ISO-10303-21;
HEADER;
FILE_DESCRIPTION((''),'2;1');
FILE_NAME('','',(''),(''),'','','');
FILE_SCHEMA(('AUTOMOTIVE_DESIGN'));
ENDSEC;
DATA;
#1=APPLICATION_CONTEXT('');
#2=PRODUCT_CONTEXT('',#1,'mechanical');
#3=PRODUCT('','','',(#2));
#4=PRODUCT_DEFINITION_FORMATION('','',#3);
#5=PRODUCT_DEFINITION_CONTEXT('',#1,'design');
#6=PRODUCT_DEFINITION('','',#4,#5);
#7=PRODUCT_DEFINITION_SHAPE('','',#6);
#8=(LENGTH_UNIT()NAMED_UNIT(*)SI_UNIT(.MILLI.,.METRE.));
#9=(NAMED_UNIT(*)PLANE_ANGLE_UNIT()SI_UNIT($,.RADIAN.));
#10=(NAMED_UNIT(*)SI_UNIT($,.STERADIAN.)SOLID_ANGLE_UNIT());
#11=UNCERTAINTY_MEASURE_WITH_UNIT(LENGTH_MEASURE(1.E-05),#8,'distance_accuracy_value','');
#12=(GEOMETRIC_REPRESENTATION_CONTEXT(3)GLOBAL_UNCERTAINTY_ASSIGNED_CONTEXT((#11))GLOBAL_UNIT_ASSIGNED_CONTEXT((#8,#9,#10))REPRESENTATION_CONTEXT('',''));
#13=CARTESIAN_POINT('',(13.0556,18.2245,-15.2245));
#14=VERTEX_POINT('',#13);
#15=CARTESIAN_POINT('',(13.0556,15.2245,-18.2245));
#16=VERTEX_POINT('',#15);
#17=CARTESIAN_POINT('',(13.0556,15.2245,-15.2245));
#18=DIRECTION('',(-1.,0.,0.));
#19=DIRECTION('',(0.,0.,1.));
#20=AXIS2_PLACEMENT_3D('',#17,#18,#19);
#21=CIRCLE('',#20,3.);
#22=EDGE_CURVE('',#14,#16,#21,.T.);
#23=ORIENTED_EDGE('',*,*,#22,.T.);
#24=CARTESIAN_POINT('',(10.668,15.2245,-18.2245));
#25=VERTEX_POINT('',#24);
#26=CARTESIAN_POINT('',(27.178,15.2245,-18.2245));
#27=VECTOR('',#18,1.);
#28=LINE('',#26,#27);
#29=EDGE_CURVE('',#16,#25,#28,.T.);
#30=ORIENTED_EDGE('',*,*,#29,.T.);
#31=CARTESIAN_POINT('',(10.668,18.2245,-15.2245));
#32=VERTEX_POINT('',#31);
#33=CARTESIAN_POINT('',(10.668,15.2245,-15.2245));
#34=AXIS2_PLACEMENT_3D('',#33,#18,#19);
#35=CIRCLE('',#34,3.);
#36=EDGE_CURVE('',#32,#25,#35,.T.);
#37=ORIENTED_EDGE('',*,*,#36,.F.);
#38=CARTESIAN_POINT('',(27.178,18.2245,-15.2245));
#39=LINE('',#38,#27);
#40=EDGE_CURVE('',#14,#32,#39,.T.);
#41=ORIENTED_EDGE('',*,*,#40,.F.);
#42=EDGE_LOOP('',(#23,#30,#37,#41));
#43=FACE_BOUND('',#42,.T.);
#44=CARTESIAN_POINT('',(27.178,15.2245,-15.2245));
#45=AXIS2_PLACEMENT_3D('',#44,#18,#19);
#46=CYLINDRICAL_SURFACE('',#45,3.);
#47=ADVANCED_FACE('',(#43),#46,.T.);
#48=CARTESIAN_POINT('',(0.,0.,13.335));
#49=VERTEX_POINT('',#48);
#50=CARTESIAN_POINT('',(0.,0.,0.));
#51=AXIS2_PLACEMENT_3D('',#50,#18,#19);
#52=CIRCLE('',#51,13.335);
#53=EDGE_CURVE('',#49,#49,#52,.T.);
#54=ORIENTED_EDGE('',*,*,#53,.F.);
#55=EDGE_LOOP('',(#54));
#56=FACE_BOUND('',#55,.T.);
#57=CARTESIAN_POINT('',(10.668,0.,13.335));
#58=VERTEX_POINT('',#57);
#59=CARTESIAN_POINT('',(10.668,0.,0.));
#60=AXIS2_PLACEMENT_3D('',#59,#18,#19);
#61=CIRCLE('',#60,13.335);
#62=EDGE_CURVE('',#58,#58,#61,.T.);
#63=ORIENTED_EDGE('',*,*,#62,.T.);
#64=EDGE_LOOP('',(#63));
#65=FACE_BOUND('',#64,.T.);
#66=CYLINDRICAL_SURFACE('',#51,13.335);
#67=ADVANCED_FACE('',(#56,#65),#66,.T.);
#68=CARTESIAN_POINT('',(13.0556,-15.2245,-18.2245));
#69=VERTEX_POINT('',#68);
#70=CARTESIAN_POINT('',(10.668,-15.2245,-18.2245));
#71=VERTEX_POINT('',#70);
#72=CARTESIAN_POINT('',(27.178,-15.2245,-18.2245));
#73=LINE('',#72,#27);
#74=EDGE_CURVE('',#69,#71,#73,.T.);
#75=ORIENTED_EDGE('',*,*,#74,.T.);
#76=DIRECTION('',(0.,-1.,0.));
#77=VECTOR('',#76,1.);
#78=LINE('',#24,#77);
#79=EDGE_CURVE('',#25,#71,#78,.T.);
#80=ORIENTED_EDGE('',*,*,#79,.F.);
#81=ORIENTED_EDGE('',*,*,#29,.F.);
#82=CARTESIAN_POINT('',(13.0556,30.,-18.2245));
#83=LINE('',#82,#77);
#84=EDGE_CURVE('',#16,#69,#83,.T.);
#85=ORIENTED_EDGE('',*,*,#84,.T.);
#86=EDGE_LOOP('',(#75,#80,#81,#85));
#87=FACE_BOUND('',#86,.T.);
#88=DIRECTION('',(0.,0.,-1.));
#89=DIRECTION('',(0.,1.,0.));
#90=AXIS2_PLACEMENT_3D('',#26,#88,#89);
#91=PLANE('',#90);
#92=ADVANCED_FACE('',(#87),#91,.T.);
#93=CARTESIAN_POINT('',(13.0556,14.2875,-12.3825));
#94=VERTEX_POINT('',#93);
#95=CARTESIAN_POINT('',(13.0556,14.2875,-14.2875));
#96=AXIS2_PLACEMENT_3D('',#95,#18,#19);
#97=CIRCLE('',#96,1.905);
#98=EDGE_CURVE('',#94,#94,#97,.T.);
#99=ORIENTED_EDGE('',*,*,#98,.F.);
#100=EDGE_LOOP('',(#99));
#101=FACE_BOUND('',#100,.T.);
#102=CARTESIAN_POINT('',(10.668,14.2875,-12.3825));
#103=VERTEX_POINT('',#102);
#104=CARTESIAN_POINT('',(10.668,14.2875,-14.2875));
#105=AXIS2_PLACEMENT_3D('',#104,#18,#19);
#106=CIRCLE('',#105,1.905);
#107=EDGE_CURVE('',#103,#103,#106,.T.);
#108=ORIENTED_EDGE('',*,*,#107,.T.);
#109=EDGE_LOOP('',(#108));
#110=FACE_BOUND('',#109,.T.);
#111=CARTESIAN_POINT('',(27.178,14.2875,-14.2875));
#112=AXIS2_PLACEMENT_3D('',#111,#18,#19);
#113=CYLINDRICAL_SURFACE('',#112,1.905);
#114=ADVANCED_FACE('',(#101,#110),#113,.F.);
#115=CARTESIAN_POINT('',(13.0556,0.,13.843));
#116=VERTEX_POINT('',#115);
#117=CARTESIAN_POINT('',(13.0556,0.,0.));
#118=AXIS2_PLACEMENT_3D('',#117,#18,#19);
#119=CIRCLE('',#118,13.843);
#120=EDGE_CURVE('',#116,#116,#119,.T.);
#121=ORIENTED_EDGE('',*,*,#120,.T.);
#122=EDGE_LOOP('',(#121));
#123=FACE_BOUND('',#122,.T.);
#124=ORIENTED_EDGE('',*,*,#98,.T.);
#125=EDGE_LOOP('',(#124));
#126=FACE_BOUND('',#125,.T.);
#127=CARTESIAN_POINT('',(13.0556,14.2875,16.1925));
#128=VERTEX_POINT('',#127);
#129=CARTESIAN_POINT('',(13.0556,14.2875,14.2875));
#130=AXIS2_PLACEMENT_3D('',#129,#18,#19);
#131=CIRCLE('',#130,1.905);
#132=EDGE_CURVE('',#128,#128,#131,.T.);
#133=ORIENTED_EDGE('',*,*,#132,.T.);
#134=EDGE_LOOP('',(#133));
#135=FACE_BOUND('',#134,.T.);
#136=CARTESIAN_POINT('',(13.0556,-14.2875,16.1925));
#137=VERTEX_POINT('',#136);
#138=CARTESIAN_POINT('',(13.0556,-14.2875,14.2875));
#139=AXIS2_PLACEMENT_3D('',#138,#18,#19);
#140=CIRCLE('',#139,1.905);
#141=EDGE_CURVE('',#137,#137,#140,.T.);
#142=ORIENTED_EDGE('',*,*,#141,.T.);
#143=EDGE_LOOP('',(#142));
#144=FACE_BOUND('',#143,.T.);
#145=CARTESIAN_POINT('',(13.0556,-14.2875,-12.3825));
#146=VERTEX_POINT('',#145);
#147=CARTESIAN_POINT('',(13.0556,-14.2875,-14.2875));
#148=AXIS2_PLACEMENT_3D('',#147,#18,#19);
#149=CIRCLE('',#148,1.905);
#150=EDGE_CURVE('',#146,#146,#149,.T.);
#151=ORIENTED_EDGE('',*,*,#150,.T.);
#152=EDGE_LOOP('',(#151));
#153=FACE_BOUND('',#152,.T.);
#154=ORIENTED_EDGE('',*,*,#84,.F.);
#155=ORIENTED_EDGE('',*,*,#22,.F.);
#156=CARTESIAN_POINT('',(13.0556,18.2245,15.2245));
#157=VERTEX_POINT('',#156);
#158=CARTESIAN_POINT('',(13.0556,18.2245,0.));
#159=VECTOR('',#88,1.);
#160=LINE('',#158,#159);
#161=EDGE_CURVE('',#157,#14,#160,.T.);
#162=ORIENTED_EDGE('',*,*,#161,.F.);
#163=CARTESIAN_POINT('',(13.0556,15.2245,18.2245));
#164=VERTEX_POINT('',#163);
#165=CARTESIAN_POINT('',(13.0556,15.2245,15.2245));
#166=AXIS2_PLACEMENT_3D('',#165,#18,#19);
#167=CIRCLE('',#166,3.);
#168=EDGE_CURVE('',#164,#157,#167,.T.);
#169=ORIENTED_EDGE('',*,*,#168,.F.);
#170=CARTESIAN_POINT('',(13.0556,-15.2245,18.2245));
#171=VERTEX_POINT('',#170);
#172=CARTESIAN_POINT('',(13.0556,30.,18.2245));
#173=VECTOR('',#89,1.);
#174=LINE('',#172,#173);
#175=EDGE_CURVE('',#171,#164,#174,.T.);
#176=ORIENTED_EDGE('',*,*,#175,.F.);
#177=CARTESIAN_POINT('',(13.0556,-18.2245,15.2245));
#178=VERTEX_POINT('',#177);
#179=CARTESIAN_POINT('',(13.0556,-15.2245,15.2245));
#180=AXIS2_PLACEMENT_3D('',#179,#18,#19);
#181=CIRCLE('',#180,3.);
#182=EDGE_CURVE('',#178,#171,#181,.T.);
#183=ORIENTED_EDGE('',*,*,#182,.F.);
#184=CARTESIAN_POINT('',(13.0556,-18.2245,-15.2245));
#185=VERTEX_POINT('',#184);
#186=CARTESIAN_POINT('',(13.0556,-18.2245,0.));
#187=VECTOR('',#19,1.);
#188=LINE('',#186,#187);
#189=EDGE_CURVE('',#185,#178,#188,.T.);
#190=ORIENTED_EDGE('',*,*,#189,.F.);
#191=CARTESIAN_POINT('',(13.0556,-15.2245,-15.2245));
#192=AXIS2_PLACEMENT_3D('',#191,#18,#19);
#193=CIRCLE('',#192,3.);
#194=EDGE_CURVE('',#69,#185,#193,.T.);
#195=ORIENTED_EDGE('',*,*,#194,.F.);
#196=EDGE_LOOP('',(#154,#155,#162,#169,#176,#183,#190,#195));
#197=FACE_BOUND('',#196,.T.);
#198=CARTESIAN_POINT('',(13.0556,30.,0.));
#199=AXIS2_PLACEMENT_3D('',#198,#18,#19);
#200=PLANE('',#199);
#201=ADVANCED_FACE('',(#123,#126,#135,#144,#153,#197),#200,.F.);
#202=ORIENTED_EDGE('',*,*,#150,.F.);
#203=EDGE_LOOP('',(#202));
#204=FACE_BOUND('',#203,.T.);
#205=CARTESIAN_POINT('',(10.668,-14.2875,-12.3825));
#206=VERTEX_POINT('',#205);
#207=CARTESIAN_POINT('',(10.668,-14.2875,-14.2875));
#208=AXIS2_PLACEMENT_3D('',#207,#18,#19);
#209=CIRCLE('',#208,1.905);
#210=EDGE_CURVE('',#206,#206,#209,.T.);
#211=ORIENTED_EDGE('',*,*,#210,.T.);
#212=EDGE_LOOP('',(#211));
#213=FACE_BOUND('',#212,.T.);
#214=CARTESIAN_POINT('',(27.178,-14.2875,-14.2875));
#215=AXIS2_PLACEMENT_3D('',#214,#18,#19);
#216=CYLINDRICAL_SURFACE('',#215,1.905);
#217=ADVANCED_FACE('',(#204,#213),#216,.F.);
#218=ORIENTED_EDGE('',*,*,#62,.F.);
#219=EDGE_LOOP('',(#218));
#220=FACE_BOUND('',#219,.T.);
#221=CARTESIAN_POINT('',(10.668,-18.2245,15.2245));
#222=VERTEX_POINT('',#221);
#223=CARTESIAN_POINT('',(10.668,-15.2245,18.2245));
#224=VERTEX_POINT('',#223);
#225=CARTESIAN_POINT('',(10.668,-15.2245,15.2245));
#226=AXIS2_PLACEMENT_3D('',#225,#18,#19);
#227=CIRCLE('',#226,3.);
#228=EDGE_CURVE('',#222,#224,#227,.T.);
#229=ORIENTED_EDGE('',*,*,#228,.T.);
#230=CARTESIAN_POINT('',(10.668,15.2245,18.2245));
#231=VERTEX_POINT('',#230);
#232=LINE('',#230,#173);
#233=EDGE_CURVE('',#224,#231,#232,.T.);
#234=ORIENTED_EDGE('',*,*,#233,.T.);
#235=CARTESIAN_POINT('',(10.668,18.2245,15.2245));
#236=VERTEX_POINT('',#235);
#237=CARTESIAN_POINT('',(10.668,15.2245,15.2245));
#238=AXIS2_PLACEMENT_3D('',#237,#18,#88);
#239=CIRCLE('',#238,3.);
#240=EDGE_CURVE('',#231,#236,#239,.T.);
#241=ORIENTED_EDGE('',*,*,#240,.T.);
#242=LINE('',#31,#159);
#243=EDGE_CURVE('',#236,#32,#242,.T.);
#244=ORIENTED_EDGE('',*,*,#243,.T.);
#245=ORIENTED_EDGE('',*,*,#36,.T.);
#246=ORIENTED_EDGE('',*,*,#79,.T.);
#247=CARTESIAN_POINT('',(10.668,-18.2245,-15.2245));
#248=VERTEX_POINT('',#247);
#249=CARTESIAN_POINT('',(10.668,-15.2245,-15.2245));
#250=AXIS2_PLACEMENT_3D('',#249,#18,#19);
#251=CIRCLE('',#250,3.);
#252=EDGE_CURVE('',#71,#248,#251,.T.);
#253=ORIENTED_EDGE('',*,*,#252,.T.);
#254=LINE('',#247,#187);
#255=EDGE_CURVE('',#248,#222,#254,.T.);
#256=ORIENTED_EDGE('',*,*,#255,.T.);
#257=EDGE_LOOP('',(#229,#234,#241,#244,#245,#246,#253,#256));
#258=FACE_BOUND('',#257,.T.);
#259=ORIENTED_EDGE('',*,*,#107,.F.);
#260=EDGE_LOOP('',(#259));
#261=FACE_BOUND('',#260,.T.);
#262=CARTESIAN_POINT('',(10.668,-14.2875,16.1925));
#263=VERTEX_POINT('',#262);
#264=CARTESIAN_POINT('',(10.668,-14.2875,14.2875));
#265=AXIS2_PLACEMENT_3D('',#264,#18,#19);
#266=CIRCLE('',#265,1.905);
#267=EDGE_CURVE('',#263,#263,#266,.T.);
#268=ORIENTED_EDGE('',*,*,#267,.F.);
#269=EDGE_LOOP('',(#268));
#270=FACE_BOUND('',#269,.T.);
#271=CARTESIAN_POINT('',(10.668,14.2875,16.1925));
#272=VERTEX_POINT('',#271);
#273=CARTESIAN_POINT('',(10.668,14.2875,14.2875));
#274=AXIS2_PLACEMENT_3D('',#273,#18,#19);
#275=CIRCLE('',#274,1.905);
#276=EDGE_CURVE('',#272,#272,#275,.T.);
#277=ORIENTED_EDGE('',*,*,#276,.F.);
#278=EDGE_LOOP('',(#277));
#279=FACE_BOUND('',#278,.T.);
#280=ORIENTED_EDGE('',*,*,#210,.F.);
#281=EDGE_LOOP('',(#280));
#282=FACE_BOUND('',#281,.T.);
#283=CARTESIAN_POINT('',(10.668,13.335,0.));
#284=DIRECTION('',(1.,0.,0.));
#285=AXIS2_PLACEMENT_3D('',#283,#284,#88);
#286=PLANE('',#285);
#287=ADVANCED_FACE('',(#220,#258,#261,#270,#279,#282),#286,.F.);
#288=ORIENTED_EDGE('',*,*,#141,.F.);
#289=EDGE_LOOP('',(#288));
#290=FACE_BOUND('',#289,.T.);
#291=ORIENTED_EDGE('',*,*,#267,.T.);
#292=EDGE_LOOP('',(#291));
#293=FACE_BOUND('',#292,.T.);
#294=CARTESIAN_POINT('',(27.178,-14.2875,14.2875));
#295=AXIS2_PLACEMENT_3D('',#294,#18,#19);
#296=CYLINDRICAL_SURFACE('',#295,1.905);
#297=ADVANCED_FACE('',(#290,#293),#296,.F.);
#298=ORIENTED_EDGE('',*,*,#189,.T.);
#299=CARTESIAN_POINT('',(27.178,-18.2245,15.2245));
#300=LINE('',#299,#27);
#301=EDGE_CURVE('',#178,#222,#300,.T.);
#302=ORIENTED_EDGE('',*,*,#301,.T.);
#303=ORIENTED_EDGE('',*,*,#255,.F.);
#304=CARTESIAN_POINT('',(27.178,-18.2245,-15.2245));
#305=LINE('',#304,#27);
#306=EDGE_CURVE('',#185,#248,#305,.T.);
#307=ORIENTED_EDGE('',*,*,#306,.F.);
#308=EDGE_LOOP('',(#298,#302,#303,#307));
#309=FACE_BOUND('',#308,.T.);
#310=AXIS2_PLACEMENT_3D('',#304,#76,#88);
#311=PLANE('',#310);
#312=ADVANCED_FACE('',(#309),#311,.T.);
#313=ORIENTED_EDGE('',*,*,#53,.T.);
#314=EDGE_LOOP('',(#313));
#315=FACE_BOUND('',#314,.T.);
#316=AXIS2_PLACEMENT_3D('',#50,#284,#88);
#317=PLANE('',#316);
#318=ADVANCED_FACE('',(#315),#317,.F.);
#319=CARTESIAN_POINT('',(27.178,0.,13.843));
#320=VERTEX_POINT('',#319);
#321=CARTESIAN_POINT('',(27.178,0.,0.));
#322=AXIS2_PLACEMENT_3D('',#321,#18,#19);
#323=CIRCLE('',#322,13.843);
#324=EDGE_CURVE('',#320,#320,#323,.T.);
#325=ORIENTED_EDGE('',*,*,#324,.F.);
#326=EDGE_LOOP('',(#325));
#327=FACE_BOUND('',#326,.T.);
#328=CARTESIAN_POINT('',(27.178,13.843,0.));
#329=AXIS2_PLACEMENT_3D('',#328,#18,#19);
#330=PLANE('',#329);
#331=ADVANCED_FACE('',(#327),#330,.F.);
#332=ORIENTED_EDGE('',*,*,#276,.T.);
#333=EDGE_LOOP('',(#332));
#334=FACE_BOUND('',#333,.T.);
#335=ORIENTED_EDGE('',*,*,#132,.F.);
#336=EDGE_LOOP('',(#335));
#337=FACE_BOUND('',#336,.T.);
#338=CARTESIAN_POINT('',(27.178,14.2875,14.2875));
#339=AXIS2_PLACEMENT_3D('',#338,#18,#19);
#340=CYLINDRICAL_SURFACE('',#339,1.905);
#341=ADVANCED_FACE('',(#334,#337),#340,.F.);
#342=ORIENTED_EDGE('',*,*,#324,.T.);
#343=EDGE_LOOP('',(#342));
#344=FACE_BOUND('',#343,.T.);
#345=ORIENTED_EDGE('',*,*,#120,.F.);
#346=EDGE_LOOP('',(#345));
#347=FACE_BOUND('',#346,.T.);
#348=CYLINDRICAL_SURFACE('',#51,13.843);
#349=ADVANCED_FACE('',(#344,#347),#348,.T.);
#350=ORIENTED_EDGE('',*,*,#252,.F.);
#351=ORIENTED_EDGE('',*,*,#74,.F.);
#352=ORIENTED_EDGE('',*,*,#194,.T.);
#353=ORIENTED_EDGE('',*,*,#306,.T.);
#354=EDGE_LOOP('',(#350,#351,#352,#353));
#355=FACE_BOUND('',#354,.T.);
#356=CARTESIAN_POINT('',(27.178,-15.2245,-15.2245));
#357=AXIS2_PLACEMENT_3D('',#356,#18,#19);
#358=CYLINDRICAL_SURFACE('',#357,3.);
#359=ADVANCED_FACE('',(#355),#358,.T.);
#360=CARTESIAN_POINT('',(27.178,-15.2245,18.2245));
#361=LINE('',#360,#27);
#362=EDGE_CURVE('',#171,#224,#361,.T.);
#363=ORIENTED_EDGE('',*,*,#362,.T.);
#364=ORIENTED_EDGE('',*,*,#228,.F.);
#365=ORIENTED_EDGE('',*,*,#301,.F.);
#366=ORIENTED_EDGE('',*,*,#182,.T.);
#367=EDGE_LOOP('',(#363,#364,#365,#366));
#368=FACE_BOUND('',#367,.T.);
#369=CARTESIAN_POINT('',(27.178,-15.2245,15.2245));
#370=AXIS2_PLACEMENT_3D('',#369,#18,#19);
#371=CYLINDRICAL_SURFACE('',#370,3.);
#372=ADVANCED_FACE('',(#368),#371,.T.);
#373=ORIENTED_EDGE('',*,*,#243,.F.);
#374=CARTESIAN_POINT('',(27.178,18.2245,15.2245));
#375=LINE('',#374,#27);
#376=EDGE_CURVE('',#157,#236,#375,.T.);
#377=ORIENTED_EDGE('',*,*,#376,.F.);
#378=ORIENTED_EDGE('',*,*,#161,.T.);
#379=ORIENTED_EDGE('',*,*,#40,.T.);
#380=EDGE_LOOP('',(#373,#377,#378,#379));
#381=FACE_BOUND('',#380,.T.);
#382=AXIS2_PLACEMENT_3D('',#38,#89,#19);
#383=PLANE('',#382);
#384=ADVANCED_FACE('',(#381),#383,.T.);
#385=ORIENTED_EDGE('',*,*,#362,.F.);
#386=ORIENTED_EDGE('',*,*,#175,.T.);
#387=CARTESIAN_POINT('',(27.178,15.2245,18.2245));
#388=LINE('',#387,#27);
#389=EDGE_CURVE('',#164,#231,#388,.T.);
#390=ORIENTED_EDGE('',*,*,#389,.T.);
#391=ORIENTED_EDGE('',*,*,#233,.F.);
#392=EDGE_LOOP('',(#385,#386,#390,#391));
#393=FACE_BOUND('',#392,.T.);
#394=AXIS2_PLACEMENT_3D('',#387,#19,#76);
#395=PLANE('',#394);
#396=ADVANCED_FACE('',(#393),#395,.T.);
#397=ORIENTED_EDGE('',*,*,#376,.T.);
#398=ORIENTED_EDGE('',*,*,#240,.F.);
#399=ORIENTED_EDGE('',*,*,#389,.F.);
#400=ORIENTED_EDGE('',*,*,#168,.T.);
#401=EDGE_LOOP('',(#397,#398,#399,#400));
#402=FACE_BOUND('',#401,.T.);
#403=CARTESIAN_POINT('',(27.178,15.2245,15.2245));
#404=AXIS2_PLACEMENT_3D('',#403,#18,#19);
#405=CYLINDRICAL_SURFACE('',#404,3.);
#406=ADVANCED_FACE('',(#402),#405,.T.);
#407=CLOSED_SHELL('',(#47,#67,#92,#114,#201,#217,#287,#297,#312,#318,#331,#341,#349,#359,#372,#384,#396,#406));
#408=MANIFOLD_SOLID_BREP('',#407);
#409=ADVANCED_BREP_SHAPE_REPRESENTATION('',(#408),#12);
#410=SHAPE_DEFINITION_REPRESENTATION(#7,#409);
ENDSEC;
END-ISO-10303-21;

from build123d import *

# Parameters (mm, degrees)
SKETCH2_OUTSIDE_W  = 79.82
SKETCH2_OUTSIDE_H  = 79.82
SKETCH2_OUTSIDE_R  = 1.905
CUT_EXTRUDE1_DEPTH = 17.51


with BuildPart() as part:
    # Sketch1 → Revolve1 (revolve)
    with BuildSketch(Plane.XY, mode=Mode.PRIVATE) as revolve1_sk:
        Polygon((0, 0), (0, 13.335), (10.668, 13.335), (10.668, 30), (13.0556, 30), (13.0556, 13.843), (27.178, 13.843), (27.178, 0), align=None)
    revolve(revolve1_sk.sketch.rotate(Axis((0, 0, 0), (1, 0, 0)), 90), axis=Axis((0, 0, 0), (1, 0, 0)))  # turned: the seam where the file's is

    # Sketch2 outside → Cut-Extrude1 (cut, through all)
    with BuildSketch(Plane.ZY.offset(-10.668)):
        Rectangle(SKETCH2_OUTSIDE_W, SKETCH2_OUTSIDE_H)
        with BuildLine():
            Line((-15.2245, 18.2245), (15.2245, 18.2245))
            ThreePointArc((15.2245, 18.2245), (17.345820344, 17.345820344), (18.2245, 15.2245))
            Line((18.2245, 15.2245), (18.2245, -15.2245))
            ThreePointArc((18.2245, -15.2245), (17.345820344, -17.345820344), (15.2245, -18.2245))
            Line((15.2245, -18.2245), (-15.2245, -18.2245))
            ThreePointArc((-15.2245, -18.2245), (-17.345820344, -17.345820344), (-18.2245, -15.2245))
            Line((-18.2245, -15.2245), (-18.2245, 15.2245))
            ThreePointArc((-18.2245, 15.2245), (-17.345820344, 17.345820344), (-15.2245, 18.2245))
        make_face(mode=Mode.SUBTRACT)
        with Locations((14.2875, 14.2875)):
            Circle(SKETCH2_OUTSIDE_R)
        with Locations((-14.2875, 14.2875)):
            Circle(SKETCH2_OUTSIDE_R)
        with Locations((-14.2875, -14.2875)):
            Circle(SKETCH2_OUTSIDE_R)
        with Locations((14.2875, -14.2875)):
            Circle(SKETCH2_OUTSIDE_R)
    extrude(amount=-CUT_EXTRUDE1_DEPTH, mode=Mode.SUBTRACT)


solid = part.part
